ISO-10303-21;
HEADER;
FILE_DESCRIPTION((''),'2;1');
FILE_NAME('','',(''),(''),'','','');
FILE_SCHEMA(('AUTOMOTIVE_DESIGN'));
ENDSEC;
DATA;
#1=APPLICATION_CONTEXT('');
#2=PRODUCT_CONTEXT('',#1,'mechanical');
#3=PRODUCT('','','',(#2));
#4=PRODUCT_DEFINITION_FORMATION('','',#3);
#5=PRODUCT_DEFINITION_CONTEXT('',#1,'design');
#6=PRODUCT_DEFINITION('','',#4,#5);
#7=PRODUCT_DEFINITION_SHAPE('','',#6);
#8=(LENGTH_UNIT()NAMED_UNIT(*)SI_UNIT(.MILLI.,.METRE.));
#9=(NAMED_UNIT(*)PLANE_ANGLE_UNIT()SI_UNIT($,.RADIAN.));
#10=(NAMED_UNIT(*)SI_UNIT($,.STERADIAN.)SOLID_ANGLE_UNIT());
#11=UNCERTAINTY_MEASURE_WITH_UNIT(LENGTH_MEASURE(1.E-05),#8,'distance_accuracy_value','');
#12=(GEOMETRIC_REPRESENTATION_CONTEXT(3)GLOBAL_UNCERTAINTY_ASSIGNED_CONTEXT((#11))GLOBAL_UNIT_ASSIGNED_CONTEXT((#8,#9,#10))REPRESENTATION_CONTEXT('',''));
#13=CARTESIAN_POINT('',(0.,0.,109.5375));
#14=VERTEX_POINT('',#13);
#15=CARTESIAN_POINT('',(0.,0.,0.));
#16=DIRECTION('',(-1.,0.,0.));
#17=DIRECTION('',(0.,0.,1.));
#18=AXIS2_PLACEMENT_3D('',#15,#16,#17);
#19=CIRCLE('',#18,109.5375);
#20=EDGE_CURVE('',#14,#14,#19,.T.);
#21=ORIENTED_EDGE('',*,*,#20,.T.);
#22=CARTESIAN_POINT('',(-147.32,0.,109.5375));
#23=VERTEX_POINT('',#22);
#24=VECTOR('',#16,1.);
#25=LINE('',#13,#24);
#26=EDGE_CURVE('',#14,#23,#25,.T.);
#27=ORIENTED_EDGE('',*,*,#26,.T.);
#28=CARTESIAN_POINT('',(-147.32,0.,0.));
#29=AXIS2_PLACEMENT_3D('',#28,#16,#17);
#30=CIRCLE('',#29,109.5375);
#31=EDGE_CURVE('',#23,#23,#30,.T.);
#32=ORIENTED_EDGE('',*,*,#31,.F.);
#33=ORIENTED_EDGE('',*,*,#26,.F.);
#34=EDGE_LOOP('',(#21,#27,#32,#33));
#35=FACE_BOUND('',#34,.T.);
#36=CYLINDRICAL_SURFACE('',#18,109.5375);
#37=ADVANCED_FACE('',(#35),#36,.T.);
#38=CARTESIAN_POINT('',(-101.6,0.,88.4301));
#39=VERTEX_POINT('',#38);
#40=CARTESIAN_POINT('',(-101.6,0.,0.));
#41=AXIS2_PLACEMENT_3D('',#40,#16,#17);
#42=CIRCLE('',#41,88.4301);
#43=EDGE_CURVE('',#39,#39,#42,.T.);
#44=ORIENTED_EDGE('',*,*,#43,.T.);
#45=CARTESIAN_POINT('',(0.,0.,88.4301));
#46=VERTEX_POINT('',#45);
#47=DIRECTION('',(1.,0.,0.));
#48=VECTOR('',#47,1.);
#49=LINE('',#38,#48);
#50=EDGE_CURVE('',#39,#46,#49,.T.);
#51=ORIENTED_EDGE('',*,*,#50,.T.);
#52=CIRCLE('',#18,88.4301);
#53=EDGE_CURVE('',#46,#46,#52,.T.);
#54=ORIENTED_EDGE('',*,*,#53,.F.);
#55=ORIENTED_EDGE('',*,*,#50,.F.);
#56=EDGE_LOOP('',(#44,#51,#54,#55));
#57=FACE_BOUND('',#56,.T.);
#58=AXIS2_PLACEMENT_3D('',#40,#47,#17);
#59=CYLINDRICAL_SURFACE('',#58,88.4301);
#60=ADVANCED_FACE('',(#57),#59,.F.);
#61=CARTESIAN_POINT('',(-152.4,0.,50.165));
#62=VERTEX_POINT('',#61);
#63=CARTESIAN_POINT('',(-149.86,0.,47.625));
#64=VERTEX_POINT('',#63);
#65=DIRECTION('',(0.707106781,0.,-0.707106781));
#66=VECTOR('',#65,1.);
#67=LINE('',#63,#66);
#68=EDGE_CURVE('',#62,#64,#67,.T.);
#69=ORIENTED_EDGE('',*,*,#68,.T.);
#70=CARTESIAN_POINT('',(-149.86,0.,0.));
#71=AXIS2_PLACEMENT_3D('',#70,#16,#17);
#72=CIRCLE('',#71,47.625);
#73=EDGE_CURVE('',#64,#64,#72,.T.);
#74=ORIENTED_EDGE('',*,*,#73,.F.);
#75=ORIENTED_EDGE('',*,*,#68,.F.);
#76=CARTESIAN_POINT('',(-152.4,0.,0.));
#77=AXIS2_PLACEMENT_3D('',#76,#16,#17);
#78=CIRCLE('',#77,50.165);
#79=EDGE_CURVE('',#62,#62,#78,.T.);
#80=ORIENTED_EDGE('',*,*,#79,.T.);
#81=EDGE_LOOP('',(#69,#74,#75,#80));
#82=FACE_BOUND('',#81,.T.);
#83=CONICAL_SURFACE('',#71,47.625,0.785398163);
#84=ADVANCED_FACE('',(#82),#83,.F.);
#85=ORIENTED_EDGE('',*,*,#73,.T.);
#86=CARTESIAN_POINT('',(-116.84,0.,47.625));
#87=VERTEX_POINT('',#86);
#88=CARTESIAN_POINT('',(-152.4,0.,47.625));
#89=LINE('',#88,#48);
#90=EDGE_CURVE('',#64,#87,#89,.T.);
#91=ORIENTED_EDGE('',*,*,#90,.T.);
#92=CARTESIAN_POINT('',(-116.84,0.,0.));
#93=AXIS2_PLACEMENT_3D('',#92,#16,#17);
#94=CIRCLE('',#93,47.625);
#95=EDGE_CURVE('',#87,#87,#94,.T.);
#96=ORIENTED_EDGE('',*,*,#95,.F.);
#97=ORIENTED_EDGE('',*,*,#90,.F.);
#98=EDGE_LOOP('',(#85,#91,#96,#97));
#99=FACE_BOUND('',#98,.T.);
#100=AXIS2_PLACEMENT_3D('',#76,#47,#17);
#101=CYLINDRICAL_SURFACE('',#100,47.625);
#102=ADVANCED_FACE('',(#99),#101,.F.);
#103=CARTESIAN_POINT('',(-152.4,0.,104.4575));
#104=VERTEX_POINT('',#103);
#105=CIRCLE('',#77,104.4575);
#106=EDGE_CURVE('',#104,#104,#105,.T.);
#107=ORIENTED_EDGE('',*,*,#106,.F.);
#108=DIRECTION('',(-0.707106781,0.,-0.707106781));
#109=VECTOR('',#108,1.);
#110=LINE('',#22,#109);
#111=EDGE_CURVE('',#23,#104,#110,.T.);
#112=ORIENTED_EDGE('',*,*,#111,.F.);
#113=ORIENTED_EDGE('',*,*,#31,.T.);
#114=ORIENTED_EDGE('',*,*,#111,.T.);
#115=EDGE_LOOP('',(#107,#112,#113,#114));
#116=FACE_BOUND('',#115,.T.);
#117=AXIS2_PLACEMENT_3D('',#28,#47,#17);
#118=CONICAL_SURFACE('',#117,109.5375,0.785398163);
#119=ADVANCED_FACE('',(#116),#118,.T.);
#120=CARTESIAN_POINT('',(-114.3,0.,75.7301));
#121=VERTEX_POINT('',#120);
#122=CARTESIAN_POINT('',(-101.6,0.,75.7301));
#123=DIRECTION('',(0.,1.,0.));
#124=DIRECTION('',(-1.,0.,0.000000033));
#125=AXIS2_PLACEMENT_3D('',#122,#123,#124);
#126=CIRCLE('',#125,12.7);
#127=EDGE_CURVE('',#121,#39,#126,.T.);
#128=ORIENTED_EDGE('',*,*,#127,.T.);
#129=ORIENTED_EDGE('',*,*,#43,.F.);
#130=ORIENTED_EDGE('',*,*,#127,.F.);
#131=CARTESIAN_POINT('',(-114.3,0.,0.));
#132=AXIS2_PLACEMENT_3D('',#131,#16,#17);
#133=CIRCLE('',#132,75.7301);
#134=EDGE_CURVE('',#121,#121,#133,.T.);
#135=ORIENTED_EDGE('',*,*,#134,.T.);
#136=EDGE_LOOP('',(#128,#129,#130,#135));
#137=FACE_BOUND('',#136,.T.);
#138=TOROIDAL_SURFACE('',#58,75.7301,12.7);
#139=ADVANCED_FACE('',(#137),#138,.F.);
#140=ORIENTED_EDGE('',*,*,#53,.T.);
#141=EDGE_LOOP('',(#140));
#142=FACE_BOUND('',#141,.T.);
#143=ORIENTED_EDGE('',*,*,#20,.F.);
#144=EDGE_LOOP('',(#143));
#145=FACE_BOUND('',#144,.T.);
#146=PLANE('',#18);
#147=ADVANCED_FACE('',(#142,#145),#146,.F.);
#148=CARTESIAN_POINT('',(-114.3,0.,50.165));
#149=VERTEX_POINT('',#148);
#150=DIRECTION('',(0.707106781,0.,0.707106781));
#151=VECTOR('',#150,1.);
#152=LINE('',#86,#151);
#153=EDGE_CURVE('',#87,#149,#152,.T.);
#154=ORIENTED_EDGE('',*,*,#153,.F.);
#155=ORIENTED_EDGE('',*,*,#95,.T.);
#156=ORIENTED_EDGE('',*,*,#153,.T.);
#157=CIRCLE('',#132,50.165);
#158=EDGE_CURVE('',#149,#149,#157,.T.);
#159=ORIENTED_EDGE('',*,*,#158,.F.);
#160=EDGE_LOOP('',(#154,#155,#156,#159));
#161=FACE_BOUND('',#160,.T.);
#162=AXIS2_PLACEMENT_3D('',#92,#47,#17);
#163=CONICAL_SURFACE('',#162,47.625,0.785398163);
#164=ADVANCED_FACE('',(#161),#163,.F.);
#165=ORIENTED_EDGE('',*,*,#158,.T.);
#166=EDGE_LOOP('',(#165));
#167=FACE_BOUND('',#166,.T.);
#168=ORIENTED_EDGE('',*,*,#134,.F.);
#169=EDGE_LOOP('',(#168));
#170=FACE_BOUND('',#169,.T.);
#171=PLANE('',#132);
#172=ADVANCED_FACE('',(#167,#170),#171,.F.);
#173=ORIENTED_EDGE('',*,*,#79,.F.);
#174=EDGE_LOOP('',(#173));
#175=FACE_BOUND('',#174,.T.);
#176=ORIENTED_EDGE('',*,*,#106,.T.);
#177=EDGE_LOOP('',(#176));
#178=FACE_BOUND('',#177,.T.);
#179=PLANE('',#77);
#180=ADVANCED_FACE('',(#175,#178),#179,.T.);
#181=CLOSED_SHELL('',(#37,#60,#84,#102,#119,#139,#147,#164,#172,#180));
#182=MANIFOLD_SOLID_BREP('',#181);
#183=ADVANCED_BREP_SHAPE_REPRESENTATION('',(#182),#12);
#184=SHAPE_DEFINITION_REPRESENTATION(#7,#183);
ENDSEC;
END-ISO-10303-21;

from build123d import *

# Parameters (mm, degrees)
F2_SIZE = 5.08
F3_SIZE = 2.54


with BuildPart() as f1:
    # F0 (on Front) → F1 (revolve)
    with BuildSketch(Plane.XZ):
        with BuildLine():
            Line((0, 88.4301), (0, 109.5375))
            Line((0, 109.5375), (-152.4, 109.5375))
            Line((-152.4, 109.5375), (-152.4, 47.625))
            Line((-152.4, 47.625), (-114.3, 47.625))
            Line((-114.3, 47.625), (-114.3, 75.7301))
            ThreePointArc((-114.3, 75.7301), (-110.580256, 84.710356), (-101.6, 88.4301))
            Line((-101.6, 88.4301), (0, 88.4301))
        make_face()
    revolve(axis=Axis((-61.485236, 0, 0), (-1, 0, 0)))

    # F2
    f2_edges = [f1.edges().sort_by_distance(p)[0] for p in [
        (-152.4, 0, -109.5375),
    ]]
    chamfer(f2_edges, length=F2_SIZE)

    # F3
    f3_edges = [f1.edges().sort_by_distance(p)[0] for p in [
        (-152.4, 0, -47.625),
        (-114.3, 0, -47.625),
        (-133.35, 0, 47.625),
    ]]
    chamfer(f3_edges, length=F3_SIZE)


solid = f1.part
